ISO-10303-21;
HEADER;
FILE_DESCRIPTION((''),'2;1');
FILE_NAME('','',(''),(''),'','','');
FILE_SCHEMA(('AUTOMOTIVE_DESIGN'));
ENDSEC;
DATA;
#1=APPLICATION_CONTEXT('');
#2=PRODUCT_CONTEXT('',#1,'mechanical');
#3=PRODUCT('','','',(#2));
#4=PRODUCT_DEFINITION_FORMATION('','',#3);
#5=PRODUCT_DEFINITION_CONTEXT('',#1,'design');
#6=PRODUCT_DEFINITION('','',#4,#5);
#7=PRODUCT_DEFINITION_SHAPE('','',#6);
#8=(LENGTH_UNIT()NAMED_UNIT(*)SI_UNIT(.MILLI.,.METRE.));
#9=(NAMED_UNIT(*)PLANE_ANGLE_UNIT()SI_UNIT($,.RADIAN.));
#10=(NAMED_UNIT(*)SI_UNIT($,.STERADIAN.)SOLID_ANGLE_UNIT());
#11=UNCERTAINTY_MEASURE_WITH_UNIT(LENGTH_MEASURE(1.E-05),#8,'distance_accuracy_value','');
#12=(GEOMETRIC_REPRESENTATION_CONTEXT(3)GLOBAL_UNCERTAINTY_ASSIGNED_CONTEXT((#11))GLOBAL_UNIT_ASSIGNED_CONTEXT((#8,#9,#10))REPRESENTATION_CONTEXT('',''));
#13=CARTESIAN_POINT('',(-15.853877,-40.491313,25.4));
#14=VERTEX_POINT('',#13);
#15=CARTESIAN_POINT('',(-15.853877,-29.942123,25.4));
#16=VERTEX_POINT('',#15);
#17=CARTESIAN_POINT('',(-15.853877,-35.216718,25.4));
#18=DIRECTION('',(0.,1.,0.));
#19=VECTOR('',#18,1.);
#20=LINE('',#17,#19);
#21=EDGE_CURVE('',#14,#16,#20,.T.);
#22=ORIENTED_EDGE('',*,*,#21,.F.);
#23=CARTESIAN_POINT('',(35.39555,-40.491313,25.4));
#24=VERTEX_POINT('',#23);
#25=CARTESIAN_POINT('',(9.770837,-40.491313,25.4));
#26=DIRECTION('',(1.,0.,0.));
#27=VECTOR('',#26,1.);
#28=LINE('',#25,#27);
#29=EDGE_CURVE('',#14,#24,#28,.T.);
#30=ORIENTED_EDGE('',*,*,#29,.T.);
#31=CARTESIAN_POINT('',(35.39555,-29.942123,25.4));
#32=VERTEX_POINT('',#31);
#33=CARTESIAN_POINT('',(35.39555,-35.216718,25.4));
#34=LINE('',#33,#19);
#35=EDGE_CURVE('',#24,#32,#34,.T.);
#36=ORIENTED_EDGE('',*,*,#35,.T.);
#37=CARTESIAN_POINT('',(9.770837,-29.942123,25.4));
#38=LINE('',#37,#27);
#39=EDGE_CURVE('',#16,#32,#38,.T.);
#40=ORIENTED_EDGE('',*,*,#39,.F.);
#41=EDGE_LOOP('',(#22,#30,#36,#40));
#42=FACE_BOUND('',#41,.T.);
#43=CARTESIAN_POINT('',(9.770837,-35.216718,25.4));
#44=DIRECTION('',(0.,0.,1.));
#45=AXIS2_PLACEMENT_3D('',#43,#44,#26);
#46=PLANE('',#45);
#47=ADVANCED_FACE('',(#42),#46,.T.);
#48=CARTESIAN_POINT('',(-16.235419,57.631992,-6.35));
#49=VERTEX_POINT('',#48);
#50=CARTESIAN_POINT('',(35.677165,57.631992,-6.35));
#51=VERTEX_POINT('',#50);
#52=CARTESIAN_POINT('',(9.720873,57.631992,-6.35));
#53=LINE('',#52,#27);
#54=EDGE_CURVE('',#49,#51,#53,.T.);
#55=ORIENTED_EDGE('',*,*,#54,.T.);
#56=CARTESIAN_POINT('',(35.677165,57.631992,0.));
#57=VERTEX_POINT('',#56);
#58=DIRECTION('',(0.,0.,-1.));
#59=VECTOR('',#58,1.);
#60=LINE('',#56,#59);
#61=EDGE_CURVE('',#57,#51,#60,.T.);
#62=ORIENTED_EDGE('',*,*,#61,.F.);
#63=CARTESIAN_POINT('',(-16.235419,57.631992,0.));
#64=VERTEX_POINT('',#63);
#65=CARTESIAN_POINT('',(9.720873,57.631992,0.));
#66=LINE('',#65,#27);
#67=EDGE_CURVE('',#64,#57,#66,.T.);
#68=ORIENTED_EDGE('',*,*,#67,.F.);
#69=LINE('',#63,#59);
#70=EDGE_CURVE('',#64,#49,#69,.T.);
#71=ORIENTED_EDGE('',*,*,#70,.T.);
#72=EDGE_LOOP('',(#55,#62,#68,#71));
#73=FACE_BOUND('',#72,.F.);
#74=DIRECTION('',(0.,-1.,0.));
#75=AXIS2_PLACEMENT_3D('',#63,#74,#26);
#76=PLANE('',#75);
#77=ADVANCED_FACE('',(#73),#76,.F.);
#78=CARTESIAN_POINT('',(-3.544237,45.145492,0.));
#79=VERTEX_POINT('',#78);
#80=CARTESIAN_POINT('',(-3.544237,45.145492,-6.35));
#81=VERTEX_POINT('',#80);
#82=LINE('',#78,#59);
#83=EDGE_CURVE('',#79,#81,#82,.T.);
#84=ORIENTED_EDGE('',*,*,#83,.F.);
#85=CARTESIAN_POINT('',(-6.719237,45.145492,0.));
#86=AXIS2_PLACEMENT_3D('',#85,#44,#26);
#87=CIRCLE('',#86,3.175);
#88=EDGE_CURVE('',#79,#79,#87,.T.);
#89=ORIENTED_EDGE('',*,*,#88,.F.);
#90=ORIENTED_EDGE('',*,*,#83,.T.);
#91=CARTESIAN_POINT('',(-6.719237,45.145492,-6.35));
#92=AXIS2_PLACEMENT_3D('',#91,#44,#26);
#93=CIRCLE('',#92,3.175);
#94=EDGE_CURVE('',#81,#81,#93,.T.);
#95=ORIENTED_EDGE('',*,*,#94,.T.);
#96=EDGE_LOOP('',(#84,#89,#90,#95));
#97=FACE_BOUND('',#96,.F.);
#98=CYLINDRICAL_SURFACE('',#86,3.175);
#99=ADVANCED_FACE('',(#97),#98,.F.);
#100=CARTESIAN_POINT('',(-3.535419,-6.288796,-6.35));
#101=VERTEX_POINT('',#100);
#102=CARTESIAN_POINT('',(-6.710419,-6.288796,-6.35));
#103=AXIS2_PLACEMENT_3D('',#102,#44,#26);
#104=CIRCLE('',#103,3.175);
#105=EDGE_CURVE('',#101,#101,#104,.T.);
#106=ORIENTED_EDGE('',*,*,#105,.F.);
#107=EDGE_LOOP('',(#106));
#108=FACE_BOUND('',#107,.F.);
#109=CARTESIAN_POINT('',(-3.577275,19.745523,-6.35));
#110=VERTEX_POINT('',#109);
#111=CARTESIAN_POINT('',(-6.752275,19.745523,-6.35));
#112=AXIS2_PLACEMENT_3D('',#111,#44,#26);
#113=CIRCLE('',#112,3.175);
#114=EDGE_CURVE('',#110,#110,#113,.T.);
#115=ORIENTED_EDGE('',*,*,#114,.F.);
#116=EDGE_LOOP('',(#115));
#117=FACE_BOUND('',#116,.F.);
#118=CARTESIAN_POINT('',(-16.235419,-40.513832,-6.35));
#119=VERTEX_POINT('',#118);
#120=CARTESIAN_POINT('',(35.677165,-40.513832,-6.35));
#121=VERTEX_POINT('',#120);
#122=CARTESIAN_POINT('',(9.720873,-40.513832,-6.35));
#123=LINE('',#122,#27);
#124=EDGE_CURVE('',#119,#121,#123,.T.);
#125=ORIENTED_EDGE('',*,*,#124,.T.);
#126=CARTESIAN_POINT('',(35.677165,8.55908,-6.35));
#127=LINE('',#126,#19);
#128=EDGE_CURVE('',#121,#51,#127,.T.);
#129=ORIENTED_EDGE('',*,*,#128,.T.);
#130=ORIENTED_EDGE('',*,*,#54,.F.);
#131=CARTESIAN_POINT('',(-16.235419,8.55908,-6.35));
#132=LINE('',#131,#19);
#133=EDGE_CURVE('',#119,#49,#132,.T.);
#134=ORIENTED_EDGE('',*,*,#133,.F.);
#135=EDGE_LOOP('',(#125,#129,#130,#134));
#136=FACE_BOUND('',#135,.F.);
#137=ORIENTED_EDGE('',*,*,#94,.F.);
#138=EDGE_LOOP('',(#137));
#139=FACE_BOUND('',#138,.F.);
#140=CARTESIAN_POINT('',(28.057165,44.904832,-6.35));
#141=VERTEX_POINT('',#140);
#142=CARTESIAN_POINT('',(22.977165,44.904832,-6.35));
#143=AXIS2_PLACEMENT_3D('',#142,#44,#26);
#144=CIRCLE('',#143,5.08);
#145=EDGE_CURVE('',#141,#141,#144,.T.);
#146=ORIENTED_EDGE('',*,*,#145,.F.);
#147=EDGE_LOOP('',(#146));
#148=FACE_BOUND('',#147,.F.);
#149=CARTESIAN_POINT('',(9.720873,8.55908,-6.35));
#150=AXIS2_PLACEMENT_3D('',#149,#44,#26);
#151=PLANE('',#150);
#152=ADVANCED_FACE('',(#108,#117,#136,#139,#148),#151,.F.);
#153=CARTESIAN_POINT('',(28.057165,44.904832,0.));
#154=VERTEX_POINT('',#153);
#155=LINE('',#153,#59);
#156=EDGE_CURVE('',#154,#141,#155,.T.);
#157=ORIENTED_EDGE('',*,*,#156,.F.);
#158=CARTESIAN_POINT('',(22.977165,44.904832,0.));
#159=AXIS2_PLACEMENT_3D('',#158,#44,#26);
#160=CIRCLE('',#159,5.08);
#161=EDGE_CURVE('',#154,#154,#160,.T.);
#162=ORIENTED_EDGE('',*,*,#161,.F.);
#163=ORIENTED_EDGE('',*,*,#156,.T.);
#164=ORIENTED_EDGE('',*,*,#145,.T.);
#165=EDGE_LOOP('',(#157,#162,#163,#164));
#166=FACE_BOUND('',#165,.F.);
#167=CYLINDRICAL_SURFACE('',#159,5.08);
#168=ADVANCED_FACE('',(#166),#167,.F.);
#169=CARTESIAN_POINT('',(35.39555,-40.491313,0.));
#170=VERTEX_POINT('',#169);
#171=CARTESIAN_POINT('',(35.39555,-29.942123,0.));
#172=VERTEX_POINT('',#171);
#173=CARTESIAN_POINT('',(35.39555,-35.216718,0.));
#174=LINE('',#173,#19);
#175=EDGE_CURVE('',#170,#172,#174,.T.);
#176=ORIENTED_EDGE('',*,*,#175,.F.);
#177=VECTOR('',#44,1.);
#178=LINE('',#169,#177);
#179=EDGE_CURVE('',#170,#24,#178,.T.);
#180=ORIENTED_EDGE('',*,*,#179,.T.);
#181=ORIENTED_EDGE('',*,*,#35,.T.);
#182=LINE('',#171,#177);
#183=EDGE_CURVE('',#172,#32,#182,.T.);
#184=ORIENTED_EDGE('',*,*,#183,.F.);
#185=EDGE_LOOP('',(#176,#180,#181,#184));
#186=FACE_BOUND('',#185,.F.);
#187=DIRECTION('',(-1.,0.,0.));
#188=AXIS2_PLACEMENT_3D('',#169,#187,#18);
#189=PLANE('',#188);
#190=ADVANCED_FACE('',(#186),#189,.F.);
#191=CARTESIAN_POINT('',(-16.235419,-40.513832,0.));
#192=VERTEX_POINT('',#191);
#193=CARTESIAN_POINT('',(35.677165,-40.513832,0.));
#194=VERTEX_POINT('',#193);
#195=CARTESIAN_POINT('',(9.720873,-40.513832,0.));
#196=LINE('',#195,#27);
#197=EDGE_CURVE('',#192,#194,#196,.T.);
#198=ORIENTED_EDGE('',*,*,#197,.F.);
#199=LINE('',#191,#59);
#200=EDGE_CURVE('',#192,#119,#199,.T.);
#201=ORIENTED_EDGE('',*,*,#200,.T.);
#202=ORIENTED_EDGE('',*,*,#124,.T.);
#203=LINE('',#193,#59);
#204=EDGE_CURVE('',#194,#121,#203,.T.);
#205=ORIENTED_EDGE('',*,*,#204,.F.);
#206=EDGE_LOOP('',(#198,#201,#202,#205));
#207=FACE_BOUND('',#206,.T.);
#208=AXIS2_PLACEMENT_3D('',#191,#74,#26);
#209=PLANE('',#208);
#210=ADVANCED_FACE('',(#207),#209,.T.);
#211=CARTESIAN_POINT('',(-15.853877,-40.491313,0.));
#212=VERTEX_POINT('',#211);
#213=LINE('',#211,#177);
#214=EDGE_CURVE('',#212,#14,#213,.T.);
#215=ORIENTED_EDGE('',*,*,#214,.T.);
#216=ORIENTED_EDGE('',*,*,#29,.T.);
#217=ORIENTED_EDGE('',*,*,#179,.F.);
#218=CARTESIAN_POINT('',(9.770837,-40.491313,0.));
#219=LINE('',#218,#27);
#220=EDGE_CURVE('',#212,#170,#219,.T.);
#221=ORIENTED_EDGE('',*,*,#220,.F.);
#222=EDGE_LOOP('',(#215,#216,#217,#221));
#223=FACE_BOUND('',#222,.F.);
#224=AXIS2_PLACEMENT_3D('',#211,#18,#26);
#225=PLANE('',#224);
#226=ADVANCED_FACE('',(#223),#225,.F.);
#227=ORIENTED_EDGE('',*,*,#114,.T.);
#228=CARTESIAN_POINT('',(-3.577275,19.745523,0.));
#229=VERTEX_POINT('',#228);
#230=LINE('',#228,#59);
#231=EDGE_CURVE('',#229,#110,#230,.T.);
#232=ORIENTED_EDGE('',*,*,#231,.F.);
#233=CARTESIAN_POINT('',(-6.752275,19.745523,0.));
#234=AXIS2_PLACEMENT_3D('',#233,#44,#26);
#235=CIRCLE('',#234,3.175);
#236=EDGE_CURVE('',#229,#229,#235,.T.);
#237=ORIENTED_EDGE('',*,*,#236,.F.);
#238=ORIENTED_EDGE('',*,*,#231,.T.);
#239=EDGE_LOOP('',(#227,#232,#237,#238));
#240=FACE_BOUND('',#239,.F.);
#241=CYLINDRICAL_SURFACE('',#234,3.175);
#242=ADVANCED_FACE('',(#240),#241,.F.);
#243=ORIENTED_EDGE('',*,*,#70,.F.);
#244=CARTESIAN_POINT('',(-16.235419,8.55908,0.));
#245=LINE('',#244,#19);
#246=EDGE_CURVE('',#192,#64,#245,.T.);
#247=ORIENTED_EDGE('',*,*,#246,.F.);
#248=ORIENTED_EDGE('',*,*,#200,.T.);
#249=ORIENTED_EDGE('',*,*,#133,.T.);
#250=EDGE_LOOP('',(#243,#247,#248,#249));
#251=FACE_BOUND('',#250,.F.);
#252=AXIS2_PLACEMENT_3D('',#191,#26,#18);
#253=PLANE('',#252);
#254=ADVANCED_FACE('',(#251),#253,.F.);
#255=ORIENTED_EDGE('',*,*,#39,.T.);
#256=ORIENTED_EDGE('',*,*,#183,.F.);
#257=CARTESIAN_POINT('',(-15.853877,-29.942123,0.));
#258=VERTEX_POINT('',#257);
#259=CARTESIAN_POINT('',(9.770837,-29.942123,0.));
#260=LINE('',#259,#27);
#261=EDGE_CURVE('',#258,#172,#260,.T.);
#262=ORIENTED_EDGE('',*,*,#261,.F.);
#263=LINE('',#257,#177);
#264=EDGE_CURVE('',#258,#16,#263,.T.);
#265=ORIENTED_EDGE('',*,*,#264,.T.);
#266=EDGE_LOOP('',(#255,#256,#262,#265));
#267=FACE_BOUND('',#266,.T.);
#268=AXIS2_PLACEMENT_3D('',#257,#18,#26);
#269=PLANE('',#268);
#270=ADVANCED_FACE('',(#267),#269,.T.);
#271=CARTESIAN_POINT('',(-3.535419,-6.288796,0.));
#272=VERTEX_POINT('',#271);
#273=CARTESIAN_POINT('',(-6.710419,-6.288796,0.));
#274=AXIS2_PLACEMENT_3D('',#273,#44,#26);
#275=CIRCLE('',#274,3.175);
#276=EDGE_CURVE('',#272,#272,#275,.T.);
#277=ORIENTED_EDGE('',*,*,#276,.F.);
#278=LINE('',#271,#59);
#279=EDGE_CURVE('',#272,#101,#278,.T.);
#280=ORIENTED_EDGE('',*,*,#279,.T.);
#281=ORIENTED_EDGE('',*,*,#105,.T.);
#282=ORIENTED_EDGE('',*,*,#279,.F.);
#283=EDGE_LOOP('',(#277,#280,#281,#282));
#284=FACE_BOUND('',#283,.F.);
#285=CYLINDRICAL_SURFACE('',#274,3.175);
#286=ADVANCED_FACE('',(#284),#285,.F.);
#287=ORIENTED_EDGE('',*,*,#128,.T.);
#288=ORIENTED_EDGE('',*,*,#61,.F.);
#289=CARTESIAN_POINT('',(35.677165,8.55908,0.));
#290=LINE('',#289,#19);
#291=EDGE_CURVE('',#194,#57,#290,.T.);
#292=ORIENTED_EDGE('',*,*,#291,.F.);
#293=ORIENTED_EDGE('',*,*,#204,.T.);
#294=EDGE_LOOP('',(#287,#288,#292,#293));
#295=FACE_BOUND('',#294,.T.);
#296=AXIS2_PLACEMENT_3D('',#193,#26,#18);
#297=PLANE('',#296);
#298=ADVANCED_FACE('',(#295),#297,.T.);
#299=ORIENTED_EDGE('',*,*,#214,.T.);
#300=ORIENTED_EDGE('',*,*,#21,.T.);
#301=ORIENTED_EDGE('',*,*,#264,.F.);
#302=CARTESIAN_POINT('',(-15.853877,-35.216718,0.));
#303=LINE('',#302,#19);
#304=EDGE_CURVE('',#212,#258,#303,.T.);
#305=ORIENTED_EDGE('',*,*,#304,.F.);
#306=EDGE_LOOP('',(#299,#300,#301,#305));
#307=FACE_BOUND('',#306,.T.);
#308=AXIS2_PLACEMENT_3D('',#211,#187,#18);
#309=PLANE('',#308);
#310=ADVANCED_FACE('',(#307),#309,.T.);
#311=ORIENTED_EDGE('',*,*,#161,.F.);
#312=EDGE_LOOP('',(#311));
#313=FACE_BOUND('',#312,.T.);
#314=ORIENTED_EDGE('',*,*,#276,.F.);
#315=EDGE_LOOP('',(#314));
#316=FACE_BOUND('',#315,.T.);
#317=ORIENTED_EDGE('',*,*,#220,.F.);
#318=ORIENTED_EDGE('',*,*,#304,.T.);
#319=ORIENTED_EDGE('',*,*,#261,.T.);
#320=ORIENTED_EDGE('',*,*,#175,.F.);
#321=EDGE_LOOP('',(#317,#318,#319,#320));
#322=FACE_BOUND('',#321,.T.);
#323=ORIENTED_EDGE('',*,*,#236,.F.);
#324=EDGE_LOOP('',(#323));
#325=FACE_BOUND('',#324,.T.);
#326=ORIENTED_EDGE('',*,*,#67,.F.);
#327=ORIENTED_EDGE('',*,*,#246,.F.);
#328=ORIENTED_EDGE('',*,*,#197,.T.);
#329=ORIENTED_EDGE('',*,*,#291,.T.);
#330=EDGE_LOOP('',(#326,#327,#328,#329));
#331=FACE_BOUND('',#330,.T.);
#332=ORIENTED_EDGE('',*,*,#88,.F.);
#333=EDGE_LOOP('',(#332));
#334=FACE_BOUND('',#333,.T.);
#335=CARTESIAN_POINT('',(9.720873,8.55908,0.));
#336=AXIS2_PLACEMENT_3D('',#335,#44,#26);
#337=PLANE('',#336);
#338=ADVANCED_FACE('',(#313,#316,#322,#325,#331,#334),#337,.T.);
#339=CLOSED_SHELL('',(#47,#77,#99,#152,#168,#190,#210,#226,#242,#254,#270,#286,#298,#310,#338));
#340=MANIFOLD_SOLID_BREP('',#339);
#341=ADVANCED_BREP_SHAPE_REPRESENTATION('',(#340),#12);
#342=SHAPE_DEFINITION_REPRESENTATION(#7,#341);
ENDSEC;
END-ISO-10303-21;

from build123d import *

# Parameters (mm, degrees)
F1_W     = 51.249427
F1_H     = 10.54919
F2_DEPTH = 25.4
F0_W     = 51.912584
F0_H     = 98.145824
F3_DEPTH = 6.35
F4_R     = 3.175
F4_R_2   = 5.08
F5_DEPTH = 25.4


with BuildPart() as f2:
    # F1 (on Top) → F2 (new body)
    with BuildSketch(Plane.XY):
        with Locations((9.770837, -35.216718)):
            Rectangle(F1_W, F1_H)
    extrude(amount=F2_DEPTH)

    # F0 (on Top) → F3 (join)
    with BuildSketch(Plane.XY):
        with Locations((9.720873, 8.55908)):
            Rectangle(F0_W, F0_H)
    extrude(amount=-F3_DEPTH)

    # F4 (on face) → F5 (cut)
    with BuildSketch(Plane.XY):
        with Locations((-6.719237, 45.145492)):
            Circle(F4_R)
        with Locations((-6.752275, 19.745523)):
            Circle(F4_R)
        with Locations((-6.710419, -6.288796)):
            Circle(F4_R)
        with Locations((22.977165, 44.904832)):
            Circle(F4_R_2)
    extrude(amount=-F5_DEPTH, mode=Mode.SUBTRACT)


solid = f2.part
